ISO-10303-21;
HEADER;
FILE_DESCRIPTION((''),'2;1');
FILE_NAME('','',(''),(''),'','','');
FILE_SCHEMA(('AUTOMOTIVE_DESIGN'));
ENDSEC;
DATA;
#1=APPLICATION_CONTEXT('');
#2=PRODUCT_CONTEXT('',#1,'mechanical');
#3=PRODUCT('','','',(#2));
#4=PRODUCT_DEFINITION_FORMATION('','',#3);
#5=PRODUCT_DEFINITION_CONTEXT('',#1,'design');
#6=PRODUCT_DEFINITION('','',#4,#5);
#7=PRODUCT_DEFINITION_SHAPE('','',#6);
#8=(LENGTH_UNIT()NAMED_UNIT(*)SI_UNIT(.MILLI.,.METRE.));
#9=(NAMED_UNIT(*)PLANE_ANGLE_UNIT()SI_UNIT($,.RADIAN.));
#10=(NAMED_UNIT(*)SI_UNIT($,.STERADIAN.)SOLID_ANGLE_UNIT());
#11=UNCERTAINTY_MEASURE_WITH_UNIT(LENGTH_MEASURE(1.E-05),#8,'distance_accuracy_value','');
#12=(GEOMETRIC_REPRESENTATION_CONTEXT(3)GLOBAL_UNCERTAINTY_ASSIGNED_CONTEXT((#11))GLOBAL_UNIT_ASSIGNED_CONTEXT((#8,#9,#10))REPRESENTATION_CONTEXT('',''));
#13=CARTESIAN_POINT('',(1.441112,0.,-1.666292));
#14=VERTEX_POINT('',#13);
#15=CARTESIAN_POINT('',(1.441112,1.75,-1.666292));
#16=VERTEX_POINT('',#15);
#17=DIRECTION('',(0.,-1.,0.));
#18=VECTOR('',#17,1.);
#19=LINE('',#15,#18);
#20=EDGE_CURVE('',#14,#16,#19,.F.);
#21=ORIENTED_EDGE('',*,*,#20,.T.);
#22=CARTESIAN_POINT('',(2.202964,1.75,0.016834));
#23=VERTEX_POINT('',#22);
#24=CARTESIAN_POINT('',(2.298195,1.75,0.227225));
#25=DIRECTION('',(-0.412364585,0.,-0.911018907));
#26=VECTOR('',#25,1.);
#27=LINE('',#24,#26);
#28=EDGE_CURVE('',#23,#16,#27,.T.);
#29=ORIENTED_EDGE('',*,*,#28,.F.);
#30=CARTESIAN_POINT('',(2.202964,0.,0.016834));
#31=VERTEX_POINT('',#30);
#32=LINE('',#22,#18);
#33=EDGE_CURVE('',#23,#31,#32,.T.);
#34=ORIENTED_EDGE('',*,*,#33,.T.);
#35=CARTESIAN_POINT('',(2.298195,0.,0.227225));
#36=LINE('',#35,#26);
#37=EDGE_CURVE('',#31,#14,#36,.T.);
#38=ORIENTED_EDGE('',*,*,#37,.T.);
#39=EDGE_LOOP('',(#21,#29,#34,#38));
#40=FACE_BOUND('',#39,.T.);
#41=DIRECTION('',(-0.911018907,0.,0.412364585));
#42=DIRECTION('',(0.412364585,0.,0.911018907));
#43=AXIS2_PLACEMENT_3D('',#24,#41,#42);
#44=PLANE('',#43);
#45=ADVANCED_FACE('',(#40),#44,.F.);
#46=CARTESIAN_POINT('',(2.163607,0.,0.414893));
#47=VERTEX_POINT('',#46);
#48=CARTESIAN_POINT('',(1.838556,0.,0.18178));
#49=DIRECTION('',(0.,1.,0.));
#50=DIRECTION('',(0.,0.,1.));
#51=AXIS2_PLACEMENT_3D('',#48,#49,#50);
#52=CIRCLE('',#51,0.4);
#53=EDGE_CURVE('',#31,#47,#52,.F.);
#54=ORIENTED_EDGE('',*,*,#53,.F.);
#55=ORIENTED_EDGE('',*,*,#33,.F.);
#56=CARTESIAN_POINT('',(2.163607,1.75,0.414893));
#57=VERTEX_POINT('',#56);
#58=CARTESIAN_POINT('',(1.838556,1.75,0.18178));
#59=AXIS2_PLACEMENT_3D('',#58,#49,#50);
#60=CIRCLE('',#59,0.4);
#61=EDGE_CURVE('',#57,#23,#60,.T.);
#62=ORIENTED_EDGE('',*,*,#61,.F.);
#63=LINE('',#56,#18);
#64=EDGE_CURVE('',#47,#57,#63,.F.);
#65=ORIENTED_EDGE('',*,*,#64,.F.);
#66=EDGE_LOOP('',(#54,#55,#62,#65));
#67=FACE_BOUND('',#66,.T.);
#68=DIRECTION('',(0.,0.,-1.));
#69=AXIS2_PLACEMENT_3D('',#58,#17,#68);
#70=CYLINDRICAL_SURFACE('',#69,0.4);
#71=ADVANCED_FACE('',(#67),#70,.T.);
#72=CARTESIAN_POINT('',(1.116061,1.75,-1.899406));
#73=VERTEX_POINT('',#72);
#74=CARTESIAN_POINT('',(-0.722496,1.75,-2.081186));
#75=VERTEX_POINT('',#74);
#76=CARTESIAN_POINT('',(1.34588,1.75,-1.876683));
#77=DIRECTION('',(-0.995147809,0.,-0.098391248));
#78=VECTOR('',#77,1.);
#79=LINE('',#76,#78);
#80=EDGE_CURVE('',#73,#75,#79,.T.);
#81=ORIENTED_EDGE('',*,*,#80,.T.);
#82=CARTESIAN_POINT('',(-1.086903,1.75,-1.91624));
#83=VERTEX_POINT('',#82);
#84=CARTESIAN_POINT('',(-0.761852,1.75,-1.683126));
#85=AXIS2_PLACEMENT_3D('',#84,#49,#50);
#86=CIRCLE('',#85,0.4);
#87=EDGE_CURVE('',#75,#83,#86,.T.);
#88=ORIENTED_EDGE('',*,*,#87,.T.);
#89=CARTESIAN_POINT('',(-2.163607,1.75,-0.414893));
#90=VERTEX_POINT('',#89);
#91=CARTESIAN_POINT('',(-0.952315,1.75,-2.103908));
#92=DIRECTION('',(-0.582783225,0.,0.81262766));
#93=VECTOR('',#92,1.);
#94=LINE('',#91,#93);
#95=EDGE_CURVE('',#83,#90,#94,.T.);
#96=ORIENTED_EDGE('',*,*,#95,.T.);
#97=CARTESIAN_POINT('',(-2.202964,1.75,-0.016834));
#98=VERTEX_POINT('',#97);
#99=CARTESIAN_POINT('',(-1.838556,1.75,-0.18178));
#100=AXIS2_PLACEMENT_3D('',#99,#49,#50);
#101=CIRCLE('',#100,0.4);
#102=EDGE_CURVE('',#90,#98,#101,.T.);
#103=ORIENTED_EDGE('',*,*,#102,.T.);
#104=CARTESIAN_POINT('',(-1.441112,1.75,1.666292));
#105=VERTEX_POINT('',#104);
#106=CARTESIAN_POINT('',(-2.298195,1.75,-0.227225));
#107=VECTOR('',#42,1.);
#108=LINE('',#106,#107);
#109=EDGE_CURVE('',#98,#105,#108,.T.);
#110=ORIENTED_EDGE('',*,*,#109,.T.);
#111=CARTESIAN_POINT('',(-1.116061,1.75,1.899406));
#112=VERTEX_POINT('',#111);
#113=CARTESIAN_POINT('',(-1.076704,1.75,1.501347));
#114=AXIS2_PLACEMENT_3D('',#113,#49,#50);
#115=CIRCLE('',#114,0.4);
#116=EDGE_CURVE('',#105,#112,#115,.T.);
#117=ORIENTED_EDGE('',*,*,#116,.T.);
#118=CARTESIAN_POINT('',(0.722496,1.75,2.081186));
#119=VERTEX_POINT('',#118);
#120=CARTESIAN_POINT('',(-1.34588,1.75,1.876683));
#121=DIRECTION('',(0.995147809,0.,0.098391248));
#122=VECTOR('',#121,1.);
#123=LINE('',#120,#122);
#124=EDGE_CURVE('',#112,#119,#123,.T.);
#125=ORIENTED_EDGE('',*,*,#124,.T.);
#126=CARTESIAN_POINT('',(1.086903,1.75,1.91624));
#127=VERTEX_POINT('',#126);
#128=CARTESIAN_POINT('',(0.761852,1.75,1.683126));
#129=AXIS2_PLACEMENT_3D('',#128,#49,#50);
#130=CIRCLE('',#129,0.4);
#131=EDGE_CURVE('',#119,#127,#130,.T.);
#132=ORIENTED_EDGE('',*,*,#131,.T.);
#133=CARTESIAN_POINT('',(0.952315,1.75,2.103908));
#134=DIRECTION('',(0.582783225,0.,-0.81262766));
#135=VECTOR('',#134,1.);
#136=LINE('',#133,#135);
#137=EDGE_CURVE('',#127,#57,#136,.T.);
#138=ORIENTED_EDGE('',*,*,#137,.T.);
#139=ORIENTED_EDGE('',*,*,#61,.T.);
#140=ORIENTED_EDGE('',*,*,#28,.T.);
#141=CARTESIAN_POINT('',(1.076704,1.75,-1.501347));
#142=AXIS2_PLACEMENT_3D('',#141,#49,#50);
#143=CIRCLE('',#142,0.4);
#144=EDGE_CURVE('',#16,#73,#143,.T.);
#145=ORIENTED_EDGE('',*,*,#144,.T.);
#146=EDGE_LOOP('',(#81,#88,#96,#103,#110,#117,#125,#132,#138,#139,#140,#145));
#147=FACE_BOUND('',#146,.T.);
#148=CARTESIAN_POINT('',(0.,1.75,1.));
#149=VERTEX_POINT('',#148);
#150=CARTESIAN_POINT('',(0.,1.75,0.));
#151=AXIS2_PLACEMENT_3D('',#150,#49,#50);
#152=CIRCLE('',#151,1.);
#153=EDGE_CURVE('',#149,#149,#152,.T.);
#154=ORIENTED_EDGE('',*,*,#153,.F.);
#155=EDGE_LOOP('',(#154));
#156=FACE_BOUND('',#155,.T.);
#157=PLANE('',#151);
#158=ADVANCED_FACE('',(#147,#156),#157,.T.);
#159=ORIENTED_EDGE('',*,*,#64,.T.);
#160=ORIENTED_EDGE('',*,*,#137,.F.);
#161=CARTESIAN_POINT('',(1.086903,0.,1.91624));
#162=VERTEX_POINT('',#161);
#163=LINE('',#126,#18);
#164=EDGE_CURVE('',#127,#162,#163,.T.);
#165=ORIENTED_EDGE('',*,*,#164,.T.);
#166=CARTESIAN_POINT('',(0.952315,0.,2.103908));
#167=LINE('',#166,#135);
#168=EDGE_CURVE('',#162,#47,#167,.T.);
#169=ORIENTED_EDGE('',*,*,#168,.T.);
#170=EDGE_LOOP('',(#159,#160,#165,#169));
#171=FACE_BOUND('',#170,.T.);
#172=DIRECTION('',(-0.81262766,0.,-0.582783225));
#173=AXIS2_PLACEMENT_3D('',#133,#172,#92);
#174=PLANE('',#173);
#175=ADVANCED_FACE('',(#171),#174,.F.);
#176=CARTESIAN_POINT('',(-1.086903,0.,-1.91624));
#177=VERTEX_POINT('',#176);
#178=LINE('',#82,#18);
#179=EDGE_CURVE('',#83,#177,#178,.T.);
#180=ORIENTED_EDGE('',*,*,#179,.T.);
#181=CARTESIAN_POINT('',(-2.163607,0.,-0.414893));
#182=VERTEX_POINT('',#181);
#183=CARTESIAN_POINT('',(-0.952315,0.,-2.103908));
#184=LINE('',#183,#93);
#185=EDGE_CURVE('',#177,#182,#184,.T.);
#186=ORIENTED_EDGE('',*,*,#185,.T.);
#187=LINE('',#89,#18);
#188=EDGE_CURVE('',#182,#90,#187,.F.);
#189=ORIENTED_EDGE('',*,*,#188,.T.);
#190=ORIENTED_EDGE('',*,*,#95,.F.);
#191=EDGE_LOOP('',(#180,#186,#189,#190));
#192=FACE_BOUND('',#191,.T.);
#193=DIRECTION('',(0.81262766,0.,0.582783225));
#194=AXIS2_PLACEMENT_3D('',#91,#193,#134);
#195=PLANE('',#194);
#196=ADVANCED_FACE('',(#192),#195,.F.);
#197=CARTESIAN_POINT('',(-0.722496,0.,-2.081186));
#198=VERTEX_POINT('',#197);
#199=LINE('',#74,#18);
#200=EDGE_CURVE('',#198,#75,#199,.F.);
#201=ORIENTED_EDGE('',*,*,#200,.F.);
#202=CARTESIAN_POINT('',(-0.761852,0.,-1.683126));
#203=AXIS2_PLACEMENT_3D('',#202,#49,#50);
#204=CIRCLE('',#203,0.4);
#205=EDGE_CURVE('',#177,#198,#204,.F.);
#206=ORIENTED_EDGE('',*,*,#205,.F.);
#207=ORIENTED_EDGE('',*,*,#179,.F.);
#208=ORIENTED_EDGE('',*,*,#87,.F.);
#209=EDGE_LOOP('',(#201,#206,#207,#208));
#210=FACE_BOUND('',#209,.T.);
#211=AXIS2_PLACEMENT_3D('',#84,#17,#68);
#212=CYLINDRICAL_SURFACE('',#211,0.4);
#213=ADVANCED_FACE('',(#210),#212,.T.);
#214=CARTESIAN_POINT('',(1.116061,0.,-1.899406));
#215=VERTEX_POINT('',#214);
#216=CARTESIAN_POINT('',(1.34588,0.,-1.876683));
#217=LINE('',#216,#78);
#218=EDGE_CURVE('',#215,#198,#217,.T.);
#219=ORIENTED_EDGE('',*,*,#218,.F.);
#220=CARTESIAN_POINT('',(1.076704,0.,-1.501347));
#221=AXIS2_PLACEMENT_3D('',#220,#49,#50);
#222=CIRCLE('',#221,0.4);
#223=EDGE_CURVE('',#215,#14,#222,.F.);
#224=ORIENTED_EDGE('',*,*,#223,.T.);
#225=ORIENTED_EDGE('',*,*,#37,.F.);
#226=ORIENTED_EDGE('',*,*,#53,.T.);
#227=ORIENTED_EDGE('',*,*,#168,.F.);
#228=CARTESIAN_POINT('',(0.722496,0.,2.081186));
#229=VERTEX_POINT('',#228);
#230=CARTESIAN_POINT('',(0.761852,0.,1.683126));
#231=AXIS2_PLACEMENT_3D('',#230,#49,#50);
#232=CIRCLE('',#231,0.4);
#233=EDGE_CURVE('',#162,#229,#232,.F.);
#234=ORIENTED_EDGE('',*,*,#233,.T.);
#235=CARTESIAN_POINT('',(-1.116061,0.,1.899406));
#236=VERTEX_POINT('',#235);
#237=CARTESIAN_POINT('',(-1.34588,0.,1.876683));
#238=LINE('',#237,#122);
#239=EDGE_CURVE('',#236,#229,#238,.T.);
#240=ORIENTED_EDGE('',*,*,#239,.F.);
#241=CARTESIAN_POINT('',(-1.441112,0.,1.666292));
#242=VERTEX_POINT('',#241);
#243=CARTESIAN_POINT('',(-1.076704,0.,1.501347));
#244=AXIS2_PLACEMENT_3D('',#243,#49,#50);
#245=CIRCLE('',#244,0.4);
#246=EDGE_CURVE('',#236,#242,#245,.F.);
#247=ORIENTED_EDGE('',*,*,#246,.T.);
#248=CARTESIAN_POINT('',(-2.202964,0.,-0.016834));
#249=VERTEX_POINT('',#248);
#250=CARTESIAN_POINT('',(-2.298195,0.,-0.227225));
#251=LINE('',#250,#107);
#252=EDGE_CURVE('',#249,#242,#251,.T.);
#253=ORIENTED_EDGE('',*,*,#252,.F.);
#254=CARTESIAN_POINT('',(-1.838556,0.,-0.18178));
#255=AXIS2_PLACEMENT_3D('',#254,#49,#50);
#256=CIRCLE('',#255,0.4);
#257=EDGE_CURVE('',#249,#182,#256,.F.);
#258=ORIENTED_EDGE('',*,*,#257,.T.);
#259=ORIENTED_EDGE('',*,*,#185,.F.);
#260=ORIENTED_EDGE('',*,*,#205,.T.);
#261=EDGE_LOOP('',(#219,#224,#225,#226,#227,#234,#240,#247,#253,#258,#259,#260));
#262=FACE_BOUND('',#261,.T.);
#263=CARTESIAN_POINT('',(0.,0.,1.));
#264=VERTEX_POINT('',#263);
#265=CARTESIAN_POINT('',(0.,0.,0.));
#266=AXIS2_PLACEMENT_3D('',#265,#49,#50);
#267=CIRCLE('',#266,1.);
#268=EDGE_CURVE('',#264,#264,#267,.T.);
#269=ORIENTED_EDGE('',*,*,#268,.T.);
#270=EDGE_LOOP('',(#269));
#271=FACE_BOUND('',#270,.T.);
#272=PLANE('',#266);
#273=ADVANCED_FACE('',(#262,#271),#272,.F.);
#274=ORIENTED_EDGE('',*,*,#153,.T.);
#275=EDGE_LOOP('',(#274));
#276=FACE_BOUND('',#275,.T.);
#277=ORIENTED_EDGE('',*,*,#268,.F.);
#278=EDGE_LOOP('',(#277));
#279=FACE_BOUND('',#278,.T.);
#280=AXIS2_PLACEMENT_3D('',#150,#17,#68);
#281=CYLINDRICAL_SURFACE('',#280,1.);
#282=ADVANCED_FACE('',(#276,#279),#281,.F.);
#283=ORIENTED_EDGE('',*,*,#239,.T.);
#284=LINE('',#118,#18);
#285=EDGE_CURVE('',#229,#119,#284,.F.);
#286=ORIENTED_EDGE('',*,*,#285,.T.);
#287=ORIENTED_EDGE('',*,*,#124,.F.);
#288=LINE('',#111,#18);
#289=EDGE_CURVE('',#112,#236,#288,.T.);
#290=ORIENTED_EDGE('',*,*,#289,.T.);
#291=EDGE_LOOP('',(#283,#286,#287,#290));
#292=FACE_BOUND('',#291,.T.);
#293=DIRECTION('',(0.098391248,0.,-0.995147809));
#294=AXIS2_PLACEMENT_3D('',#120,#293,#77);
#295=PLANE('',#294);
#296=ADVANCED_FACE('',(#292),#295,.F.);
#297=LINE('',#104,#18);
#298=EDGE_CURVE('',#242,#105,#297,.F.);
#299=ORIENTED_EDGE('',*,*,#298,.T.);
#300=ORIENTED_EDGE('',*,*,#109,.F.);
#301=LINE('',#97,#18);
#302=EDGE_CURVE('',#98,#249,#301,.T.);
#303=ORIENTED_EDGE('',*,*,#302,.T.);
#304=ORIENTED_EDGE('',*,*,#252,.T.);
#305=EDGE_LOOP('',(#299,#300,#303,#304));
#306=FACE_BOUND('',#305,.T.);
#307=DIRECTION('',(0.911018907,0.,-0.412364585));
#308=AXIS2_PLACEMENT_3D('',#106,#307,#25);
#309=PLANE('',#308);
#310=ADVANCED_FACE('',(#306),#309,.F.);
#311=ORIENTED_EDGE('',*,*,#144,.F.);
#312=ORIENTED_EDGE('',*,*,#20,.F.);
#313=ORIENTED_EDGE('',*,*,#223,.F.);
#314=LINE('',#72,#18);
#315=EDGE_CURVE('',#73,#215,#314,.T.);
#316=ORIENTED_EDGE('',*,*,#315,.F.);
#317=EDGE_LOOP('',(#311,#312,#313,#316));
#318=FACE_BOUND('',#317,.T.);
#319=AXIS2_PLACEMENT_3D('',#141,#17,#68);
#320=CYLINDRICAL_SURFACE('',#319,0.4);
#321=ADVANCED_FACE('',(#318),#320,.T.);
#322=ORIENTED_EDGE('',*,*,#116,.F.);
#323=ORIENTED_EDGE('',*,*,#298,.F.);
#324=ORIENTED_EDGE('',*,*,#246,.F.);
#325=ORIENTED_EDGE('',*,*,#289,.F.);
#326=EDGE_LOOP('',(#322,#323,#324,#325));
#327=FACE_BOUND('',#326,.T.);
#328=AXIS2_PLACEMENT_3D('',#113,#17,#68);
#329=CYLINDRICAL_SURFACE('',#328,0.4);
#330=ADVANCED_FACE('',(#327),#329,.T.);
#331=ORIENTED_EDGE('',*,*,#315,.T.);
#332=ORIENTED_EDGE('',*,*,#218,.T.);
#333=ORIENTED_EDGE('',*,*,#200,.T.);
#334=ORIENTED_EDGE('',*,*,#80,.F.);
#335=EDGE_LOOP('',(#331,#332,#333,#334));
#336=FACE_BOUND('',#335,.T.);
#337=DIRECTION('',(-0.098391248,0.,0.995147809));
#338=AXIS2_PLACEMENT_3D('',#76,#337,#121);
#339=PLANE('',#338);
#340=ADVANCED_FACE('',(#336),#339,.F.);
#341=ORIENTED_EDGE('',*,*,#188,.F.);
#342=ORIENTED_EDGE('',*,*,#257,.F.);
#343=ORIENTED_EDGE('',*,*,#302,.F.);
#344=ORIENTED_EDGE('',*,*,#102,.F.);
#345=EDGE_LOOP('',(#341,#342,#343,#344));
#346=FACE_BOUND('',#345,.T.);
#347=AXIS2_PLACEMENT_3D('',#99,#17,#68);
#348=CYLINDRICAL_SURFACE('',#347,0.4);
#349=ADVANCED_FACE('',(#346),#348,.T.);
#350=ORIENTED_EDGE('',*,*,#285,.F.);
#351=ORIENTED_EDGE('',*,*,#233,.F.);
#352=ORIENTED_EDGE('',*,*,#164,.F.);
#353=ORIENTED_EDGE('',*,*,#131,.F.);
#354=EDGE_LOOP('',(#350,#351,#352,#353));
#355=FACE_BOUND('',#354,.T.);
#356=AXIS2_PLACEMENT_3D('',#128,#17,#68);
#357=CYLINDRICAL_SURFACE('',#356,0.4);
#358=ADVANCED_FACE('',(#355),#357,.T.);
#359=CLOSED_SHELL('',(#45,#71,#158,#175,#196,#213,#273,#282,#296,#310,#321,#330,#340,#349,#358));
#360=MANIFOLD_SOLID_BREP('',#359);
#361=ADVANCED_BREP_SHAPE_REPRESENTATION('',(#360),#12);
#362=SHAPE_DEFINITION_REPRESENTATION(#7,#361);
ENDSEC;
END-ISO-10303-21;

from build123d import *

# Parameters (mm, degrees)
BOSS_EXTRUDE1_DEPTH = 1.75
FILLET1_R           = 0.4
SKETCH7_R           = 1
CUT_EXTRUDE1_DEPTH  = 4.523215893


with BuildPart() as part:
    # Sketch1 → Boss-Extrude1 (new body)
    with BuildSketch(Plane(origin=(0, 0, 0), x_dir=(1, 0, 0), z_dir=(0, 1, 0))):
        Polygon((0.952315216, -2.103908045), (2.298195422, -0.227224853), (1.345880206, 1.876683192), (-0.952315216, 2.103908045), (-2.298195422, 0.227224853), (-1.345880206, -1.876683192), align=None)
    extrude(amount=BOSS_EXTRUDE1_DEPTH)

    # Fillet1
    fillet1_edges = [part.edges().sort_by_distance(p)[0] for p in [
        (-1.345880206, 0.875, 1.876683192),
        (-2.298195422, 0.875, -0.227224853),
        (-0.952315216, 0.875, -2.103908045),
        (1.345880206, 0.875, -1.876683192),
        (2.298195422, 0.875, 0.227224853),
        (0.952315216, 0.875, 2.103908045),
    ]]
    fillet(fillet1_edges, radius=FILLET1_R)

    # Sketch7 → Cut-Extrude1 (cut, through all)
    with BuildSketch(Plane(origin=(0, 0, 0), x_dir=(1, 0, 0), z_dir=(0, 1, 0))):
        with Locations(Location((0, 0, 0), (0, 0, 270))):
            Circle(SKETCH7_R)
    extrude(amount=CUT_EXTRUDE1_DEPTH, mode=Mode.SUBTRACT)


solid = part.part
